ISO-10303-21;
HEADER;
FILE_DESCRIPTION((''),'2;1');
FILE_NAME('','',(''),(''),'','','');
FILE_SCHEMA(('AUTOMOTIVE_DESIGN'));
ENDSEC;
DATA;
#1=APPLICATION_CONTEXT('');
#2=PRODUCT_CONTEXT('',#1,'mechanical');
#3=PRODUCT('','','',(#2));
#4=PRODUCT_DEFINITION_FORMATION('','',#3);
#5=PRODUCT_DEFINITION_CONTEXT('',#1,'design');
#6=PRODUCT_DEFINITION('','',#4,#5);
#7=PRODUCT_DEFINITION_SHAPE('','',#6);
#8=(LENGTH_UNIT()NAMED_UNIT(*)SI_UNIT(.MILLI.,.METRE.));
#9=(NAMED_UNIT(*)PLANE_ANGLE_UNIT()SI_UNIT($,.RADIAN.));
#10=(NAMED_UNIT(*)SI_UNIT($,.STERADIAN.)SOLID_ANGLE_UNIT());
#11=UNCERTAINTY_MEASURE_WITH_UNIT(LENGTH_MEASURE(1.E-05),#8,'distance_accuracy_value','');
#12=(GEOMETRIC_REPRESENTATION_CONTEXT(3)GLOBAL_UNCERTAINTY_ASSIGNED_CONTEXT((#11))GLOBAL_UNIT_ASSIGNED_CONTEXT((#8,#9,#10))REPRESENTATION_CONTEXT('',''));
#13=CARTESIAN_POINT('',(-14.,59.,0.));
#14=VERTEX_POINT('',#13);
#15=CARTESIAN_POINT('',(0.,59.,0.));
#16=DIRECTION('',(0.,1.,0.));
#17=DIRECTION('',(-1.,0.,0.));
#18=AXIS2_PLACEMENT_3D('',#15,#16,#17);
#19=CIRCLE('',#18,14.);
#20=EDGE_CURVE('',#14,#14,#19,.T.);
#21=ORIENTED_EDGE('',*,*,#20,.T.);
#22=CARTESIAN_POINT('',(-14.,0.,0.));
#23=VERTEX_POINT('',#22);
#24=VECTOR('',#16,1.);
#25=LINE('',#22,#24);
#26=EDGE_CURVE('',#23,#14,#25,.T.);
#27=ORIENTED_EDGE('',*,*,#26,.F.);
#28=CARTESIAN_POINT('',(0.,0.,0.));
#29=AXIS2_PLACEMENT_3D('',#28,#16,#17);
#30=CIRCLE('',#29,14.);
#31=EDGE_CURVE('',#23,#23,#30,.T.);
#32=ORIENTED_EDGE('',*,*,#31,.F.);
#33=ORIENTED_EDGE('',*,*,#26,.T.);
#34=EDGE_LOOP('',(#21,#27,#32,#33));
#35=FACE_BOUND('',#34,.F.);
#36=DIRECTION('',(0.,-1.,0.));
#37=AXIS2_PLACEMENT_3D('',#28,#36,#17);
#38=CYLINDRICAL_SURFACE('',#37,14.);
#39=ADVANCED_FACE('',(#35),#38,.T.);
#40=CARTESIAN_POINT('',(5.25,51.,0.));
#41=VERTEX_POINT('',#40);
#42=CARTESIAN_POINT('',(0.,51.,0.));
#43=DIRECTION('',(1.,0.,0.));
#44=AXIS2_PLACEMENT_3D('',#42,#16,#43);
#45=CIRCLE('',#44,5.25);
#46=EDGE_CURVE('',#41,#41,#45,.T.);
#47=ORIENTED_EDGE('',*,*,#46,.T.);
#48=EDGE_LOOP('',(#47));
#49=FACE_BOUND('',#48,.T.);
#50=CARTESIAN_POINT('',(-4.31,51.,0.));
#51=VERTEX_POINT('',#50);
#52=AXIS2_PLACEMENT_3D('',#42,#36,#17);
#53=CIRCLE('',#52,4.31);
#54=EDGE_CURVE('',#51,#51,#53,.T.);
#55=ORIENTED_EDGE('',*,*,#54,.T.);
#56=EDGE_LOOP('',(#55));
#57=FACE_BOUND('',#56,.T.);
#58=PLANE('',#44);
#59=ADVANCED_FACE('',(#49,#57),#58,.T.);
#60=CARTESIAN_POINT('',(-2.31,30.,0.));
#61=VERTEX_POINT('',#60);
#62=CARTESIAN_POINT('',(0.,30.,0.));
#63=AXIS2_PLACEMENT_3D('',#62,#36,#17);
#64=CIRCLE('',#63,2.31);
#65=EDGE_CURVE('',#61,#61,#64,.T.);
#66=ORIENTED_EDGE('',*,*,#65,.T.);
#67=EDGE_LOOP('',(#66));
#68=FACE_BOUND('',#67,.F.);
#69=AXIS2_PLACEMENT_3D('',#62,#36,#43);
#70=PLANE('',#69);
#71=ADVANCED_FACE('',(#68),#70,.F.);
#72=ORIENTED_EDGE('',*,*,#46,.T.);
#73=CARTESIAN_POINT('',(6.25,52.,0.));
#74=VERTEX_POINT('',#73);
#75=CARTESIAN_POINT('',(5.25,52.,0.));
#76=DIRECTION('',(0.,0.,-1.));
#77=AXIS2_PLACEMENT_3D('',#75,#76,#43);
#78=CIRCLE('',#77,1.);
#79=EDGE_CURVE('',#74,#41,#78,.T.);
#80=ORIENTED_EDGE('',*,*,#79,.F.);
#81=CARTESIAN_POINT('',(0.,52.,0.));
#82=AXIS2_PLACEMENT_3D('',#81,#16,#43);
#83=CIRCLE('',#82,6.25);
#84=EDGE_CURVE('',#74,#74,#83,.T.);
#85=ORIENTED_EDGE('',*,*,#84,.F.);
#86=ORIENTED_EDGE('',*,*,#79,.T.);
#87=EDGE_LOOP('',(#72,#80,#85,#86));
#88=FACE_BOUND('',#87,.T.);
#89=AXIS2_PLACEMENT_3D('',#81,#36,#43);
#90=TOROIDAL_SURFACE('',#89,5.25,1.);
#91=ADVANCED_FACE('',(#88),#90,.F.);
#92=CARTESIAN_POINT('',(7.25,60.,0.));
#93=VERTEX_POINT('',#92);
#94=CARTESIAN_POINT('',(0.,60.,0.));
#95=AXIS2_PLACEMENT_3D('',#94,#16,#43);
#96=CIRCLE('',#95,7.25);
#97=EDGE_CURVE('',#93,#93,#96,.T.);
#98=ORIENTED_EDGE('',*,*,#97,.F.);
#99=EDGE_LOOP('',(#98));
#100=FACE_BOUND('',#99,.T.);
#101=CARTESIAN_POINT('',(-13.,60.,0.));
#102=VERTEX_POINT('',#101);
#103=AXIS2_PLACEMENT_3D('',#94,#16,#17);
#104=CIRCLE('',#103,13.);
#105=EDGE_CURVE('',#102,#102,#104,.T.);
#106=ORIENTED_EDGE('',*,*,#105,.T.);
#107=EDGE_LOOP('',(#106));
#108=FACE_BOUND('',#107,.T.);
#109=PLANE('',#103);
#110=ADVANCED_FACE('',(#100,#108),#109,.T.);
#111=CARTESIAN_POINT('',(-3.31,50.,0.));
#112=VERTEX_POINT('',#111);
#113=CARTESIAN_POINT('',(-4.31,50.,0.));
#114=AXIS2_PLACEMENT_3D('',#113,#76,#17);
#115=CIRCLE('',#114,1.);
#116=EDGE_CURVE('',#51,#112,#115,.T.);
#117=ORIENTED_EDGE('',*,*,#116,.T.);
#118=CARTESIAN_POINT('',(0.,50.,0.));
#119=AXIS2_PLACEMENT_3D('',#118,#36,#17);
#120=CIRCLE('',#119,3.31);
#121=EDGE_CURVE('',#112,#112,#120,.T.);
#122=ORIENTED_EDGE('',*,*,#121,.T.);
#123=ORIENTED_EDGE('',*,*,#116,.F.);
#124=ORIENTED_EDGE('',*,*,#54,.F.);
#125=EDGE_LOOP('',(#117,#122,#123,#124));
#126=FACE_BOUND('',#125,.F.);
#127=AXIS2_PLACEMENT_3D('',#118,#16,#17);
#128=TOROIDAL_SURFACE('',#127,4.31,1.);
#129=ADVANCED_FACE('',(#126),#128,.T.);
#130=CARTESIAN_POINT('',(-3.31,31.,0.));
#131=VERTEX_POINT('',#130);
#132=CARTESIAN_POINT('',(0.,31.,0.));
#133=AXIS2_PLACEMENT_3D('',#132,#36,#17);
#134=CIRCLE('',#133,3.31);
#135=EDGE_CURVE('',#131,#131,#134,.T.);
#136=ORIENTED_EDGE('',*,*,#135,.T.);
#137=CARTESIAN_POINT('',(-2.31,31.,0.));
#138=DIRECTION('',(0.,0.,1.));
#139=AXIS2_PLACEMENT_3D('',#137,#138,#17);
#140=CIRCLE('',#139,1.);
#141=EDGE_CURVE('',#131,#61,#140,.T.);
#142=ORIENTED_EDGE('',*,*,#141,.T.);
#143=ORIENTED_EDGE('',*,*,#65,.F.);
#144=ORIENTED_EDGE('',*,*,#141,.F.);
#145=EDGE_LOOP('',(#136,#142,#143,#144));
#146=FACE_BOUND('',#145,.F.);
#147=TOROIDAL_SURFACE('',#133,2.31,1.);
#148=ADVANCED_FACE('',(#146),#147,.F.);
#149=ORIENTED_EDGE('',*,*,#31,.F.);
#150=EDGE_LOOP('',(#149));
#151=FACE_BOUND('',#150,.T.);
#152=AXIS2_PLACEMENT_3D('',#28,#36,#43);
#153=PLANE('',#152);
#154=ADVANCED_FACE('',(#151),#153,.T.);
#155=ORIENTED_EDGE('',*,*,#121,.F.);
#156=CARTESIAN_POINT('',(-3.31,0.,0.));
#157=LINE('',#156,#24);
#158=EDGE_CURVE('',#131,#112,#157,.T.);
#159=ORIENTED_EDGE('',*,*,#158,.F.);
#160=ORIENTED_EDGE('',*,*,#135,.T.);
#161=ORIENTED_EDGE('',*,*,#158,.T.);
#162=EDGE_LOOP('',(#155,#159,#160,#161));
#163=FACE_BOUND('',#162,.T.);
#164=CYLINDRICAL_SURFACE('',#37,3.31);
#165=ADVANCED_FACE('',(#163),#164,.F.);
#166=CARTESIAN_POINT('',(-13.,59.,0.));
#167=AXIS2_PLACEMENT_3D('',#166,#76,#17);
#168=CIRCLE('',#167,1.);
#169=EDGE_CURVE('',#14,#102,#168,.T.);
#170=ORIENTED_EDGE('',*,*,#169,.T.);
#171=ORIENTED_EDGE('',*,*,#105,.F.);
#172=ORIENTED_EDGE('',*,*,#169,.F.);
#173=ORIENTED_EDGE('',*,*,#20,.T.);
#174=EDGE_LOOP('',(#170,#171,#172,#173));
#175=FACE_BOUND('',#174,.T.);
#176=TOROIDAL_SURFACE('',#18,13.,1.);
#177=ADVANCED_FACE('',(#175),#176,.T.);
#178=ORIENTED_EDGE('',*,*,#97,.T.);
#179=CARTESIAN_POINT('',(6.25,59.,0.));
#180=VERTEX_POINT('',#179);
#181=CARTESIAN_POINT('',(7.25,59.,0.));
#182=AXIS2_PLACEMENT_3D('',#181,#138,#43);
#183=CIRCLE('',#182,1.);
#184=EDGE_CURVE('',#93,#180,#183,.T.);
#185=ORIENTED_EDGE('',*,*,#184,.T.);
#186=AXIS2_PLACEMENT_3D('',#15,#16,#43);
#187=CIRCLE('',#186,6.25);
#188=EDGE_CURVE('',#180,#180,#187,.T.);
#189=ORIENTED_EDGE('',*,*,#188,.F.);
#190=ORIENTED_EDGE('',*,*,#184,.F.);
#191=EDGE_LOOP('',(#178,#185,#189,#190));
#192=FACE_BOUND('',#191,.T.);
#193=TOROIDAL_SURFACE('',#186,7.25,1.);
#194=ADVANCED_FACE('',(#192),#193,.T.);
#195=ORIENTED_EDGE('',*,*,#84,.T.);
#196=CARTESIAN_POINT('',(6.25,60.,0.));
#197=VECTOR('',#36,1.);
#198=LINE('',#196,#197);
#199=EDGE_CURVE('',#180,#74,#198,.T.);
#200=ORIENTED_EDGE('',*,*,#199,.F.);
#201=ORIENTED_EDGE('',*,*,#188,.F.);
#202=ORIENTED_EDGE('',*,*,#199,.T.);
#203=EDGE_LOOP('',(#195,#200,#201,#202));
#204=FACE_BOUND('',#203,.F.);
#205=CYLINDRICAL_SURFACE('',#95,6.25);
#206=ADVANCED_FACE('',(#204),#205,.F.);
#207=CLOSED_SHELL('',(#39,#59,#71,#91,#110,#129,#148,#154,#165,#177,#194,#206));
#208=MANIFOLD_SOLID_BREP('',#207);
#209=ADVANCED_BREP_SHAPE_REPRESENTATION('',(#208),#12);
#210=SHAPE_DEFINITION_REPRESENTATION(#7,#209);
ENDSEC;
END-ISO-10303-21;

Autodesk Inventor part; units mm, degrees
ref_plane "YZ Plane" through (0, 0, 0) normal (1, 0, 0) x (0, 1, 0)
ref_plane "XZ Plane" through (0, 0, 0) normal (0, 1, 0) x (-1, 0, 0)
ref_plane "XY Plane" through (0, 0, 0) normal (0, 0, 1) x (1, 0, 0)
sketch "Esboço1" plane through (0, 0, 0) normal (0, 1, 0) x (-1, 0, 0)
  circle A0 centre (0, 0) radius 3.31
  circle A1 centre (0, 0) radius 14
  dimension "d2" = 6.62
  dimension "d3" = 28
extrude "Extrusão1" add sketch "Esboço1" along normal blind 60
sketch "Esboço2" plane through (0, 60, 0) normal (0, 1, 0) x (1, 0, 0)
  circle A0 centre (0, 0) radius 6.25
  dimension "d7" = 12.5
extrude "Extrusão2" cut sketch "Esboço2" against normal blind 9
sketch "Esboço3" plane through (0, 0, 0) normal (0, -1, 0) x (1, 0, 0)
  circle A0 centre (0, 0) radius 3.31
extrude "Extrusão3" add sketch "Esboço3" against normal blind 30
fillet "Arredondamento1" radius 1 5 edges at (14, 60, 0) (-6.25, 60, 0) (-6.25, 51, 0) (3.31, 51, 0) (3.31, 30, 0)
properties part number "peça encaixe telhado"
